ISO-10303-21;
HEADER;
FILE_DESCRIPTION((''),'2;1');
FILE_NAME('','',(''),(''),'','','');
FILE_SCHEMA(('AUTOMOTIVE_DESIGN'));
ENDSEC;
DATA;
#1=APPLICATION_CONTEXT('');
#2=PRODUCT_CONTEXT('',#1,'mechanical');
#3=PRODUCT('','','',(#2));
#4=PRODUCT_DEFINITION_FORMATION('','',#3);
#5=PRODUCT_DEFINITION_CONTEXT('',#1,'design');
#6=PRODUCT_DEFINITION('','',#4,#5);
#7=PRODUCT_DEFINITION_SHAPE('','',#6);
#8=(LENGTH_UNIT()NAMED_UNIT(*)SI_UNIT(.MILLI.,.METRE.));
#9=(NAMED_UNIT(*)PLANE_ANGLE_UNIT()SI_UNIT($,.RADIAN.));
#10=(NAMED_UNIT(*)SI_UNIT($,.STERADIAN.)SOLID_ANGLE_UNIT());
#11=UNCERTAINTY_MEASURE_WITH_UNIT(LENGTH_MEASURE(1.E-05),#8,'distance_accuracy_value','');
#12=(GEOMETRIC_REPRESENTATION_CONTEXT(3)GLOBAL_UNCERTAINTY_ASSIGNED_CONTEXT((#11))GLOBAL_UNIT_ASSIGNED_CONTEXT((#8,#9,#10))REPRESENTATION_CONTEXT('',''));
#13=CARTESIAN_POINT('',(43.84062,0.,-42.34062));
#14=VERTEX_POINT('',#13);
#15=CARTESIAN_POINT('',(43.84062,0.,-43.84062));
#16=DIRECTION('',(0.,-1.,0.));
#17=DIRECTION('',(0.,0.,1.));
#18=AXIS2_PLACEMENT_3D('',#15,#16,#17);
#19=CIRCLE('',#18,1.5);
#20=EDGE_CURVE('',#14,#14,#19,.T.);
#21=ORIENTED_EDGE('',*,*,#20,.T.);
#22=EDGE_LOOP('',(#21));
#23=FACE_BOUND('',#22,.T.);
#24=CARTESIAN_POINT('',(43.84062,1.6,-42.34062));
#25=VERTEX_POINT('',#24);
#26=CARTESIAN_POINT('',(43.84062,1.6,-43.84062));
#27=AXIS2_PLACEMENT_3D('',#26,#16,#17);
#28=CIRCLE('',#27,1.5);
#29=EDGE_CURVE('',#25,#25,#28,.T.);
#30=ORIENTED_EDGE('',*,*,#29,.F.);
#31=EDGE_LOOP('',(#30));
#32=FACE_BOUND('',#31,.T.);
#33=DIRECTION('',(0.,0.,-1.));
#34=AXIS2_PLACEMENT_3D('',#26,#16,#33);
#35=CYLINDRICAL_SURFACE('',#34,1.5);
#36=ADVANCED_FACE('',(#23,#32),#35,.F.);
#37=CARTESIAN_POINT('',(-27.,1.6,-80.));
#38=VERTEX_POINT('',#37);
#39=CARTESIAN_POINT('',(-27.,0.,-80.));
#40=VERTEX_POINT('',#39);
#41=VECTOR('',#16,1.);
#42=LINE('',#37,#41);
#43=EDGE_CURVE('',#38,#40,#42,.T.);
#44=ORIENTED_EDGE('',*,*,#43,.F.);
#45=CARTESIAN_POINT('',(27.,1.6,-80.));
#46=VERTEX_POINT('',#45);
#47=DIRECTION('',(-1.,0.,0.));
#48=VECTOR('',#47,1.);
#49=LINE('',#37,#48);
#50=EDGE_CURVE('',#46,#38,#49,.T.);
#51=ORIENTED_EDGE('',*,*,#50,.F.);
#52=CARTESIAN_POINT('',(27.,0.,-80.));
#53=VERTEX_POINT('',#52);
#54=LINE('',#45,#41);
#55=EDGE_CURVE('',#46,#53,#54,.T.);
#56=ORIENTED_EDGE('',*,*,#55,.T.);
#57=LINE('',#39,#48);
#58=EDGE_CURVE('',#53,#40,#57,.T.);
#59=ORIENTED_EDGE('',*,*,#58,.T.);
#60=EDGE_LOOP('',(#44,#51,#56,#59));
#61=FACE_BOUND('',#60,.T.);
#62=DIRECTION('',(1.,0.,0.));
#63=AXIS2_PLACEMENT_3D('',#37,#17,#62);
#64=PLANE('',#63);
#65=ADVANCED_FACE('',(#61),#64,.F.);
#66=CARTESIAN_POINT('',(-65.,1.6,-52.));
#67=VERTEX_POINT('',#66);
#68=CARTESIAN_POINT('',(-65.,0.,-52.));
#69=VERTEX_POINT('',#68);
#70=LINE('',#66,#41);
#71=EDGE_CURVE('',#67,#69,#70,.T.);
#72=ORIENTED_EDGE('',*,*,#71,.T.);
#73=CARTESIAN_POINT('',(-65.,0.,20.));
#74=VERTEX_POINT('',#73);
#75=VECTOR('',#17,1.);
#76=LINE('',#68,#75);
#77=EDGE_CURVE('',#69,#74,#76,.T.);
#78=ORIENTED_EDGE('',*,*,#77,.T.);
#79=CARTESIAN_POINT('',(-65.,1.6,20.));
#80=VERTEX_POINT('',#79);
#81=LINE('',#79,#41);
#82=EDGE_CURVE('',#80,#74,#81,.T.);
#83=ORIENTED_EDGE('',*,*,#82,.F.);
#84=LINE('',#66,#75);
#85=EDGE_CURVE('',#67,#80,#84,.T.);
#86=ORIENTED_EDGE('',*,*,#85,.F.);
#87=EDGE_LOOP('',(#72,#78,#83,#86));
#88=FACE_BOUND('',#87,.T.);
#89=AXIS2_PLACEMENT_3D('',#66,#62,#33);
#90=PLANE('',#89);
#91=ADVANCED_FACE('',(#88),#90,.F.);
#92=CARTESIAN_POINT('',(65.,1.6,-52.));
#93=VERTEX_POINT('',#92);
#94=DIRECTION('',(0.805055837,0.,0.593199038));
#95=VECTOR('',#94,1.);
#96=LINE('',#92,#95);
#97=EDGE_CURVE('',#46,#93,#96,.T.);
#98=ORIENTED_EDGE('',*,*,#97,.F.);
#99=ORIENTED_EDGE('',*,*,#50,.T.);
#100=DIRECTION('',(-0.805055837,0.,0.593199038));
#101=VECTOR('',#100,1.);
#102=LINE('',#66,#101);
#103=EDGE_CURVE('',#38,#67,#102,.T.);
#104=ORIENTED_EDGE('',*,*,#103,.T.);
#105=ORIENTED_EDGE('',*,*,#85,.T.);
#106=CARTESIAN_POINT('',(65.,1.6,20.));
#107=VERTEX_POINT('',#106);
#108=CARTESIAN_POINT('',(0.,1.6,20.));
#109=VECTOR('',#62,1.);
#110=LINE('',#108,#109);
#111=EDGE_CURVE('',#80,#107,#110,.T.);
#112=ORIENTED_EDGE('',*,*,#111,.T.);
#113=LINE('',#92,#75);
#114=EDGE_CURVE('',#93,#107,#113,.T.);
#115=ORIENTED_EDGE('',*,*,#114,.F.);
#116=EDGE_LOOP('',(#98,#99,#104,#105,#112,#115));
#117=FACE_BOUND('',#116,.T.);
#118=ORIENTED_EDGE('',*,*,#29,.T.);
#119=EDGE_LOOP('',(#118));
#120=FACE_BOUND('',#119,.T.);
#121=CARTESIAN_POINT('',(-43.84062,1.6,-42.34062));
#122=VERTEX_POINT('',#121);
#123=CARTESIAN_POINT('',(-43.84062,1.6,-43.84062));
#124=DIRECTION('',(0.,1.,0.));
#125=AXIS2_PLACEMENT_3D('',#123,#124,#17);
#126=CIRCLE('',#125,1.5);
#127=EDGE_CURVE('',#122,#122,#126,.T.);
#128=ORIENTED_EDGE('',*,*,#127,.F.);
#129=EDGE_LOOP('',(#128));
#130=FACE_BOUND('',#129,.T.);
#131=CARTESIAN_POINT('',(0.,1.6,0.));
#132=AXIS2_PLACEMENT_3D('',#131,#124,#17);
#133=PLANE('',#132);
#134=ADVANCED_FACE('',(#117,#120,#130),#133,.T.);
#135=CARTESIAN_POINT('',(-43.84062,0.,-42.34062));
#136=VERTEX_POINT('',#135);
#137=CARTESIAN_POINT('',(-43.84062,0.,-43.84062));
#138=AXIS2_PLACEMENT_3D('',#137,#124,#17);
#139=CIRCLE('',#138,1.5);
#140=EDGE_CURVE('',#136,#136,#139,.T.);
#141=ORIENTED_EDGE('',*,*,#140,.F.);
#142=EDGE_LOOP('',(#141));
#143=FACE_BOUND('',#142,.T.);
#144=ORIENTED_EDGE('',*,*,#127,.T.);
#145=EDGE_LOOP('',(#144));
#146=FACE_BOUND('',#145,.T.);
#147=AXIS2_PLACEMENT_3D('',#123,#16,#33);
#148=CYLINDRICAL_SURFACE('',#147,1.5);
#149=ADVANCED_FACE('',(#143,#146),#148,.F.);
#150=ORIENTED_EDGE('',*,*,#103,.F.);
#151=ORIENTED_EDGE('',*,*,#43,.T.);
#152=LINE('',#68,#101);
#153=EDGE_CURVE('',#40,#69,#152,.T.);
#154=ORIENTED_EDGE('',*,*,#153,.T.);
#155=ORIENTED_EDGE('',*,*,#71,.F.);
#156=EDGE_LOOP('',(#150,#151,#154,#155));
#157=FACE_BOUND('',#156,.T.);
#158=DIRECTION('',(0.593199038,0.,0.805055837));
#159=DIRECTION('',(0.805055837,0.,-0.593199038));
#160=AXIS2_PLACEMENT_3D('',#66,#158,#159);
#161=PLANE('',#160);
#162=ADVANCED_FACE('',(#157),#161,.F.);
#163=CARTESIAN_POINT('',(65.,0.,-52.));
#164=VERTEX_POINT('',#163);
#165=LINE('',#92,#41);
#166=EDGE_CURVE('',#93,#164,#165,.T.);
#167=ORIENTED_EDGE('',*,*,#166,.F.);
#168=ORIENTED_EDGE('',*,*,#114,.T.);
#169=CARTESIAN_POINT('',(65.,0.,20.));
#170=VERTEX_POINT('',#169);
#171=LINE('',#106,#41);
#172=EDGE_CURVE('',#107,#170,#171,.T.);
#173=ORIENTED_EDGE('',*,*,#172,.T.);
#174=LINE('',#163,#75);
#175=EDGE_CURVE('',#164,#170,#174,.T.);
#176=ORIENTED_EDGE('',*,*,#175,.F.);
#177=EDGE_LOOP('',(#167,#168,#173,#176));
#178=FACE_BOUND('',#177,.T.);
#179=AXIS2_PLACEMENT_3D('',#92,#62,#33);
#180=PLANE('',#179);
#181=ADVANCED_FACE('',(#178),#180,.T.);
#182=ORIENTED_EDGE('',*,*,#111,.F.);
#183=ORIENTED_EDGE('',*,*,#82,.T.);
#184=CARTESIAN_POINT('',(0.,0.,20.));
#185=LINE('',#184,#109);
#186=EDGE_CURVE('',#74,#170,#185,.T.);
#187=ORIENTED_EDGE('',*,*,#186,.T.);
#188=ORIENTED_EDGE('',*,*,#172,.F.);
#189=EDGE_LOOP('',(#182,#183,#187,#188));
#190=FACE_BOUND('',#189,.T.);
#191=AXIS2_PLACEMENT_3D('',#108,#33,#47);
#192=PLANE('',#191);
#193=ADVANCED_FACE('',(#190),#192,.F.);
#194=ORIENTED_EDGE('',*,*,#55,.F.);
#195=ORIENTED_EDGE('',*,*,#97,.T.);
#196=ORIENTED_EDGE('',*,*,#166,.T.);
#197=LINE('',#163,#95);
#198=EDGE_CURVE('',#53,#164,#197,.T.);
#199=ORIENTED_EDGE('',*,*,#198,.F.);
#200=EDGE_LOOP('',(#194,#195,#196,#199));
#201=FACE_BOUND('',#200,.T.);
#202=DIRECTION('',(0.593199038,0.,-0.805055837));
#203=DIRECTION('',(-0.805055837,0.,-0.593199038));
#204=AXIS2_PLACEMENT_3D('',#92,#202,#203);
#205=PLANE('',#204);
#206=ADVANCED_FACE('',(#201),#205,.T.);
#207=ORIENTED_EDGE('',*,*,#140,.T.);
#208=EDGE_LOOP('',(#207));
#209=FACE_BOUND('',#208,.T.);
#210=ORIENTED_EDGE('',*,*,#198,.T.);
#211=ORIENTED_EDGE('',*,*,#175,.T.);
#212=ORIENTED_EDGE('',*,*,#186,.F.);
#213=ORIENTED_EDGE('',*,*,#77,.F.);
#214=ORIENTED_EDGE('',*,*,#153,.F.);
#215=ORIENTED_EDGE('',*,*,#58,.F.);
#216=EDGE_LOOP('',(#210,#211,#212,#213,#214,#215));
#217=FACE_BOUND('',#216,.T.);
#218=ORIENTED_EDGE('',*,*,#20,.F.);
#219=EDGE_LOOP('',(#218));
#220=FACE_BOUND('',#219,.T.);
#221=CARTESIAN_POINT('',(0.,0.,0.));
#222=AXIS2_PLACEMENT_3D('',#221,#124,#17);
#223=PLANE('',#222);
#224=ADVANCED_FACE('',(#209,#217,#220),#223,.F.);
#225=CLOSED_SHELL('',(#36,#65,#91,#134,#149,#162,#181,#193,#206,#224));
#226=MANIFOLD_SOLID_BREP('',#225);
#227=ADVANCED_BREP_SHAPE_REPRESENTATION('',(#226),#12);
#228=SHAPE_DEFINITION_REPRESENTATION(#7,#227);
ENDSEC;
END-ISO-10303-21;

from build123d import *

# Parameters (mm, degrees)
SKETCH1_R           = 1.5
BOSS_EXTRUDE1_DEPTH = 1.6


with BuildPart() as part:
    # Sketch1 → Boss-Extrude1 (new body)
    with BuildSketch(Plane(origin=(0, 0, 0), x_dir=(1, 0, 0), z_dir=(0, 1, 0))):
        Polygon((-65, 52), (-27, 80), (0, 80), (0, -20), (-65, -20), align=None)
        with Locations((-43.840620434, 43.840620434)):
            Circle(SKETCH1_R, mode=Mode.SUBTRACT)
    boss_extrude1 = extrude(amount=BOSS_EXTRUDE1_DEPTH)

    # Mirror1: Boss-Extrude1 across plane
    add(boss_extrude1.mirror(Plane(origin=(0, 1.6, 20), x_dir=(0, 0, 1), z_dir=(-1, 0, 0))))


solid = part.part
